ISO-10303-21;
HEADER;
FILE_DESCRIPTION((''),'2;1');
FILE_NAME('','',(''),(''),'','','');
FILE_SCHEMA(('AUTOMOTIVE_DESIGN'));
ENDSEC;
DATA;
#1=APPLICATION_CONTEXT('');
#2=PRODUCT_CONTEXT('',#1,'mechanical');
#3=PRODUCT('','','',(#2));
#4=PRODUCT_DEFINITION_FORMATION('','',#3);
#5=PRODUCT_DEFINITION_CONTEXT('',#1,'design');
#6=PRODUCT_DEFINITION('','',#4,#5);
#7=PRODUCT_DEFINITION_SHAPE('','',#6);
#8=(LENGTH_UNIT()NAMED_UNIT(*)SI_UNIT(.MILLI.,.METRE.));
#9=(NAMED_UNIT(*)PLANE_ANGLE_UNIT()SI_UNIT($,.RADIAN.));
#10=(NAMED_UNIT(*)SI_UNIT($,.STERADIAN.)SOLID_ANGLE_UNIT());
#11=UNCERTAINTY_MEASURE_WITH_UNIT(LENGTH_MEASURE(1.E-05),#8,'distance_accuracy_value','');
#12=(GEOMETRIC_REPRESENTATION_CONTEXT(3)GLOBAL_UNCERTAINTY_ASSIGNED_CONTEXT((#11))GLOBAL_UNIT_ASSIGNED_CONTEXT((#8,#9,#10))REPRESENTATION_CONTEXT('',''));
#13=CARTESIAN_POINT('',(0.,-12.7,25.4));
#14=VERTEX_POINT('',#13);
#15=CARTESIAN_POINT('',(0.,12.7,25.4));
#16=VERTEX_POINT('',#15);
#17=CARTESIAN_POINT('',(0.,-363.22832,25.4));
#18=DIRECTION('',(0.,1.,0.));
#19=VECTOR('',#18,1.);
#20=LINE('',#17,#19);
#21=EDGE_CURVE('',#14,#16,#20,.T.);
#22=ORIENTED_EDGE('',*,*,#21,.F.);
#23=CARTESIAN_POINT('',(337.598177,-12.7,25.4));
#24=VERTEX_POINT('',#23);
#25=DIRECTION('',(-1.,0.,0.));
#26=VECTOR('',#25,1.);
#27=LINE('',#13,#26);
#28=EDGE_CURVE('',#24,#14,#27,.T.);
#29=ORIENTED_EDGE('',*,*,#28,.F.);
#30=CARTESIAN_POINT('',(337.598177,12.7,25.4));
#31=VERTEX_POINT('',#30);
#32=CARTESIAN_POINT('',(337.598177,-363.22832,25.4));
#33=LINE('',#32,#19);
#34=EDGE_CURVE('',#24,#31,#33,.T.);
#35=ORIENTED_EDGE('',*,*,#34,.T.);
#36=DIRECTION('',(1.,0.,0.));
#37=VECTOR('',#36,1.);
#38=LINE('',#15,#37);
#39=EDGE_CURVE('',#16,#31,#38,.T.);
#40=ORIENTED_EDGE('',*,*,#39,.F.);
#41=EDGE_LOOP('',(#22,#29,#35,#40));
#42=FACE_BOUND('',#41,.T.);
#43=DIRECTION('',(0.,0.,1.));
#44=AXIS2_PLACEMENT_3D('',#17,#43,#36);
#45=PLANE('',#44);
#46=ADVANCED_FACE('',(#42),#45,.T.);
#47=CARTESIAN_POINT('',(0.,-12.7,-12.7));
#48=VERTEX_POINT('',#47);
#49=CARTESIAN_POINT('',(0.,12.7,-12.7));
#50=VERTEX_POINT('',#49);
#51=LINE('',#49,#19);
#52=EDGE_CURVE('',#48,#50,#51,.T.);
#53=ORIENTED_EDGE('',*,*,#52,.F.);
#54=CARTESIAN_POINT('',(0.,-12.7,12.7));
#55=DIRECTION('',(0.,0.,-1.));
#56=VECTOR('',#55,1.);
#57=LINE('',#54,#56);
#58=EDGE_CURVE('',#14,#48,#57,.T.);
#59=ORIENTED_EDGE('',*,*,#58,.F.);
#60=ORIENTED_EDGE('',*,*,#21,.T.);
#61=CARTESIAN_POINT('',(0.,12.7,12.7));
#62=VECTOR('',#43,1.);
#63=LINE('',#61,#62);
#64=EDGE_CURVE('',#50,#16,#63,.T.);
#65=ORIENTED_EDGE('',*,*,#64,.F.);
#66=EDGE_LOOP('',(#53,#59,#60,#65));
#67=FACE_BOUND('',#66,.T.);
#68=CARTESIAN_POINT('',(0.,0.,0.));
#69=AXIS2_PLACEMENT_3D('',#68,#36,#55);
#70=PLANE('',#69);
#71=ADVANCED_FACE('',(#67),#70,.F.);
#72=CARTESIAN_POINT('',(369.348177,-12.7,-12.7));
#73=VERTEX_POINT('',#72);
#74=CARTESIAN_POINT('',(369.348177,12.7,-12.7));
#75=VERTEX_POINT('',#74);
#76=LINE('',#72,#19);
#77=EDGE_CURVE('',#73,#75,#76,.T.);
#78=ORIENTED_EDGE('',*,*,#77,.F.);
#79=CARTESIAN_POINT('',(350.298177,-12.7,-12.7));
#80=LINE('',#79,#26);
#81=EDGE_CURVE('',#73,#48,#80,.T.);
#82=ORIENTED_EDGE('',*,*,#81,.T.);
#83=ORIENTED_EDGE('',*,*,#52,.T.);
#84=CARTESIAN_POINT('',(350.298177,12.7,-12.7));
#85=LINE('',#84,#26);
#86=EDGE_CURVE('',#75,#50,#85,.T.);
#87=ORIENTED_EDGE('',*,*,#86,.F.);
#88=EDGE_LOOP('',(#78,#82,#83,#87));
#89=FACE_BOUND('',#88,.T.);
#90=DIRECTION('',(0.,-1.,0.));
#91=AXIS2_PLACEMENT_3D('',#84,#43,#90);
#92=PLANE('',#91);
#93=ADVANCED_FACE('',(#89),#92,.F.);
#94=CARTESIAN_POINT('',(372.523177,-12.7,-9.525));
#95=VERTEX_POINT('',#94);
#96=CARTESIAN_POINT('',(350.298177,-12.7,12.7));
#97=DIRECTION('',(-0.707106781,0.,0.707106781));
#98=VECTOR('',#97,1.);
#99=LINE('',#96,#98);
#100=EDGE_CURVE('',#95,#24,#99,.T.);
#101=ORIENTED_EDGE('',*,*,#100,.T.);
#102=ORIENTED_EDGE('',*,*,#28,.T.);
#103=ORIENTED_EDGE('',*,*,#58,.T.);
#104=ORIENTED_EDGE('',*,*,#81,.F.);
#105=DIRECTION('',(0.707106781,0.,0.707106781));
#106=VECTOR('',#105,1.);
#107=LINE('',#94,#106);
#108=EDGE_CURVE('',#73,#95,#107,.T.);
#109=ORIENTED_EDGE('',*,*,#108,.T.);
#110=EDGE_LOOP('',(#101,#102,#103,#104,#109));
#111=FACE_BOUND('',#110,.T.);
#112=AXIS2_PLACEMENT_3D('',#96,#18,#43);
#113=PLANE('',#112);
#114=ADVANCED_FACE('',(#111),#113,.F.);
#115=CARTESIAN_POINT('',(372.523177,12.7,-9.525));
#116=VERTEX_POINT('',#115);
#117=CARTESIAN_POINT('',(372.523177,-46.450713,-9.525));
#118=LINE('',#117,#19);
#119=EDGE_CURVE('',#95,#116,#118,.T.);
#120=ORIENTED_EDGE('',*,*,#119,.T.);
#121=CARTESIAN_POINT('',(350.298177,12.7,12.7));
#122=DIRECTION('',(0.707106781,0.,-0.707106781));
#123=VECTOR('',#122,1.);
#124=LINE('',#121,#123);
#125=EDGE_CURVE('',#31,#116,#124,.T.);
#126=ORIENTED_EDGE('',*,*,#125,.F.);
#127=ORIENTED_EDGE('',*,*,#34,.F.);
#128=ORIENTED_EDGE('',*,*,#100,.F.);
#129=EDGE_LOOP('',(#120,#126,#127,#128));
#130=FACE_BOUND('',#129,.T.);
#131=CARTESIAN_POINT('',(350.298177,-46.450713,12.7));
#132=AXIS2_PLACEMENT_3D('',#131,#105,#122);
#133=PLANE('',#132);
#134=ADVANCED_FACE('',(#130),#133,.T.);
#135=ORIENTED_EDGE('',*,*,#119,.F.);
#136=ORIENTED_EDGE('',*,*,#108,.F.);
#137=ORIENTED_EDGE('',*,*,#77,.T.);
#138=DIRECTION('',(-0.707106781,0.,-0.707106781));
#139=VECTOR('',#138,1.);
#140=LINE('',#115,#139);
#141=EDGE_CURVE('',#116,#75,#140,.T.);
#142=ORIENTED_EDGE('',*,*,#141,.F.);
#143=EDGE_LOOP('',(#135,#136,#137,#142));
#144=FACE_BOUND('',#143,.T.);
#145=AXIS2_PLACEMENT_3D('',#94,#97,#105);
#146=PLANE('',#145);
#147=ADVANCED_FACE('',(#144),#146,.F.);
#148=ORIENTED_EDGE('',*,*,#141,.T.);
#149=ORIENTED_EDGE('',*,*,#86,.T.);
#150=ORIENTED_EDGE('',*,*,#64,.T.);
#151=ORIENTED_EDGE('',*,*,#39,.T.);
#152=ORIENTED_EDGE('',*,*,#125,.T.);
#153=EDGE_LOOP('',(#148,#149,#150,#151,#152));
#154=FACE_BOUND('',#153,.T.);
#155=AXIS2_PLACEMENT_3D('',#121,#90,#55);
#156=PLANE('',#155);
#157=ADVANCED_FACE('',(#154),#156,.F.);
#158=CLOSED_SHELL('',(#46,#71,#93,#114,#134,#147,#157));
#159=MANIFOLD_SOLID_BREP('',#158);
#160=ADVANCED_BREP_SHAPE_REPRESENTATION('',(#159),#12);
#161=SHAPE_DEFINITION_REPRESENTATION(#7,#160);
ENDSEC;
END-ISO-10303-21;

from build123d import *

# Parameters (mm, degrees)
SKETCH1_W               = 25.4
SKETCH1_H               = 25.4
BOSS_EXTRUDE1_DEPTH     = 350.298176974
BOSS_EXTRUDE2_DEPTH     = 25.4
CUT_EXTRUDE1_DEPTH      = 374.604024848
CUT_EXTRUDE1_DEPTH_BACK = 374.604024848
BOSS_EXTRUDE3_DEPTH     = 25.4


with BuildPart() as part:
    # Sketch1 → Boss-Extrude1 (new body)
    with BuildSketch(Plane(origin=(0, 0, 0), x_dir=(0, 0, -1), z_dir=(1, 0, 0))):
        Rectangle(SKETCH1_W, SKETCH1_H)
    extrude(amount=BOSS_EXTRUDE1_DEPTH)

    # Sketch2 → Boss-Extrude2 (add)
    with BuildSketch(Plane(origin=(0, 12.7, 0), x_dir=(1, 0, 0), z_dir=(0, 1, 0))):
        Polygon((350.298176974, -12.7), (372.523176974, 9.525), (372.523176974, 12.7), (350.298176974, 12.7), align=None)
    extrude(amount=-BOSS_EXTRUDE2_DEPTH)

    # Sketch3 → Cut-Extrude1 (cut, two sides: drawn at the far end of the back side and taken through both)
    with BuildSketch(Plane(origin=(0, 12.7, 0), x_dir=(1, 0, 0), z_dir=(0, 1, 0)).offset(-CUT_EXTRUDE1_DEPTH_BACK)):
        Polygon((372.523176974, 9.525), (369.348176974, 12.7), (372.523176974, 12.7), align=None)
    extrude(amount=CUT_EXTRUDE1_DEPTH + CUT_EXTRUDE1_DEPTH_BACK, mode=Mode.SUBTRACT)

    # Sketch4 → Boss-Extrude3 (add)
    with BuildSketch(Plane(origin=(0, 12.7, 0), x_dir=(1, 0, 0), z_dir=(0, 1, 0))):
        Polygon((0, -12.7), (0, -25.4), (337.598176974, -25.4), (350.298176974, -12.7), align=None)
    extrude(amount=-BOSS_EXTRUDE3_DEPTH)


solid = part.part
